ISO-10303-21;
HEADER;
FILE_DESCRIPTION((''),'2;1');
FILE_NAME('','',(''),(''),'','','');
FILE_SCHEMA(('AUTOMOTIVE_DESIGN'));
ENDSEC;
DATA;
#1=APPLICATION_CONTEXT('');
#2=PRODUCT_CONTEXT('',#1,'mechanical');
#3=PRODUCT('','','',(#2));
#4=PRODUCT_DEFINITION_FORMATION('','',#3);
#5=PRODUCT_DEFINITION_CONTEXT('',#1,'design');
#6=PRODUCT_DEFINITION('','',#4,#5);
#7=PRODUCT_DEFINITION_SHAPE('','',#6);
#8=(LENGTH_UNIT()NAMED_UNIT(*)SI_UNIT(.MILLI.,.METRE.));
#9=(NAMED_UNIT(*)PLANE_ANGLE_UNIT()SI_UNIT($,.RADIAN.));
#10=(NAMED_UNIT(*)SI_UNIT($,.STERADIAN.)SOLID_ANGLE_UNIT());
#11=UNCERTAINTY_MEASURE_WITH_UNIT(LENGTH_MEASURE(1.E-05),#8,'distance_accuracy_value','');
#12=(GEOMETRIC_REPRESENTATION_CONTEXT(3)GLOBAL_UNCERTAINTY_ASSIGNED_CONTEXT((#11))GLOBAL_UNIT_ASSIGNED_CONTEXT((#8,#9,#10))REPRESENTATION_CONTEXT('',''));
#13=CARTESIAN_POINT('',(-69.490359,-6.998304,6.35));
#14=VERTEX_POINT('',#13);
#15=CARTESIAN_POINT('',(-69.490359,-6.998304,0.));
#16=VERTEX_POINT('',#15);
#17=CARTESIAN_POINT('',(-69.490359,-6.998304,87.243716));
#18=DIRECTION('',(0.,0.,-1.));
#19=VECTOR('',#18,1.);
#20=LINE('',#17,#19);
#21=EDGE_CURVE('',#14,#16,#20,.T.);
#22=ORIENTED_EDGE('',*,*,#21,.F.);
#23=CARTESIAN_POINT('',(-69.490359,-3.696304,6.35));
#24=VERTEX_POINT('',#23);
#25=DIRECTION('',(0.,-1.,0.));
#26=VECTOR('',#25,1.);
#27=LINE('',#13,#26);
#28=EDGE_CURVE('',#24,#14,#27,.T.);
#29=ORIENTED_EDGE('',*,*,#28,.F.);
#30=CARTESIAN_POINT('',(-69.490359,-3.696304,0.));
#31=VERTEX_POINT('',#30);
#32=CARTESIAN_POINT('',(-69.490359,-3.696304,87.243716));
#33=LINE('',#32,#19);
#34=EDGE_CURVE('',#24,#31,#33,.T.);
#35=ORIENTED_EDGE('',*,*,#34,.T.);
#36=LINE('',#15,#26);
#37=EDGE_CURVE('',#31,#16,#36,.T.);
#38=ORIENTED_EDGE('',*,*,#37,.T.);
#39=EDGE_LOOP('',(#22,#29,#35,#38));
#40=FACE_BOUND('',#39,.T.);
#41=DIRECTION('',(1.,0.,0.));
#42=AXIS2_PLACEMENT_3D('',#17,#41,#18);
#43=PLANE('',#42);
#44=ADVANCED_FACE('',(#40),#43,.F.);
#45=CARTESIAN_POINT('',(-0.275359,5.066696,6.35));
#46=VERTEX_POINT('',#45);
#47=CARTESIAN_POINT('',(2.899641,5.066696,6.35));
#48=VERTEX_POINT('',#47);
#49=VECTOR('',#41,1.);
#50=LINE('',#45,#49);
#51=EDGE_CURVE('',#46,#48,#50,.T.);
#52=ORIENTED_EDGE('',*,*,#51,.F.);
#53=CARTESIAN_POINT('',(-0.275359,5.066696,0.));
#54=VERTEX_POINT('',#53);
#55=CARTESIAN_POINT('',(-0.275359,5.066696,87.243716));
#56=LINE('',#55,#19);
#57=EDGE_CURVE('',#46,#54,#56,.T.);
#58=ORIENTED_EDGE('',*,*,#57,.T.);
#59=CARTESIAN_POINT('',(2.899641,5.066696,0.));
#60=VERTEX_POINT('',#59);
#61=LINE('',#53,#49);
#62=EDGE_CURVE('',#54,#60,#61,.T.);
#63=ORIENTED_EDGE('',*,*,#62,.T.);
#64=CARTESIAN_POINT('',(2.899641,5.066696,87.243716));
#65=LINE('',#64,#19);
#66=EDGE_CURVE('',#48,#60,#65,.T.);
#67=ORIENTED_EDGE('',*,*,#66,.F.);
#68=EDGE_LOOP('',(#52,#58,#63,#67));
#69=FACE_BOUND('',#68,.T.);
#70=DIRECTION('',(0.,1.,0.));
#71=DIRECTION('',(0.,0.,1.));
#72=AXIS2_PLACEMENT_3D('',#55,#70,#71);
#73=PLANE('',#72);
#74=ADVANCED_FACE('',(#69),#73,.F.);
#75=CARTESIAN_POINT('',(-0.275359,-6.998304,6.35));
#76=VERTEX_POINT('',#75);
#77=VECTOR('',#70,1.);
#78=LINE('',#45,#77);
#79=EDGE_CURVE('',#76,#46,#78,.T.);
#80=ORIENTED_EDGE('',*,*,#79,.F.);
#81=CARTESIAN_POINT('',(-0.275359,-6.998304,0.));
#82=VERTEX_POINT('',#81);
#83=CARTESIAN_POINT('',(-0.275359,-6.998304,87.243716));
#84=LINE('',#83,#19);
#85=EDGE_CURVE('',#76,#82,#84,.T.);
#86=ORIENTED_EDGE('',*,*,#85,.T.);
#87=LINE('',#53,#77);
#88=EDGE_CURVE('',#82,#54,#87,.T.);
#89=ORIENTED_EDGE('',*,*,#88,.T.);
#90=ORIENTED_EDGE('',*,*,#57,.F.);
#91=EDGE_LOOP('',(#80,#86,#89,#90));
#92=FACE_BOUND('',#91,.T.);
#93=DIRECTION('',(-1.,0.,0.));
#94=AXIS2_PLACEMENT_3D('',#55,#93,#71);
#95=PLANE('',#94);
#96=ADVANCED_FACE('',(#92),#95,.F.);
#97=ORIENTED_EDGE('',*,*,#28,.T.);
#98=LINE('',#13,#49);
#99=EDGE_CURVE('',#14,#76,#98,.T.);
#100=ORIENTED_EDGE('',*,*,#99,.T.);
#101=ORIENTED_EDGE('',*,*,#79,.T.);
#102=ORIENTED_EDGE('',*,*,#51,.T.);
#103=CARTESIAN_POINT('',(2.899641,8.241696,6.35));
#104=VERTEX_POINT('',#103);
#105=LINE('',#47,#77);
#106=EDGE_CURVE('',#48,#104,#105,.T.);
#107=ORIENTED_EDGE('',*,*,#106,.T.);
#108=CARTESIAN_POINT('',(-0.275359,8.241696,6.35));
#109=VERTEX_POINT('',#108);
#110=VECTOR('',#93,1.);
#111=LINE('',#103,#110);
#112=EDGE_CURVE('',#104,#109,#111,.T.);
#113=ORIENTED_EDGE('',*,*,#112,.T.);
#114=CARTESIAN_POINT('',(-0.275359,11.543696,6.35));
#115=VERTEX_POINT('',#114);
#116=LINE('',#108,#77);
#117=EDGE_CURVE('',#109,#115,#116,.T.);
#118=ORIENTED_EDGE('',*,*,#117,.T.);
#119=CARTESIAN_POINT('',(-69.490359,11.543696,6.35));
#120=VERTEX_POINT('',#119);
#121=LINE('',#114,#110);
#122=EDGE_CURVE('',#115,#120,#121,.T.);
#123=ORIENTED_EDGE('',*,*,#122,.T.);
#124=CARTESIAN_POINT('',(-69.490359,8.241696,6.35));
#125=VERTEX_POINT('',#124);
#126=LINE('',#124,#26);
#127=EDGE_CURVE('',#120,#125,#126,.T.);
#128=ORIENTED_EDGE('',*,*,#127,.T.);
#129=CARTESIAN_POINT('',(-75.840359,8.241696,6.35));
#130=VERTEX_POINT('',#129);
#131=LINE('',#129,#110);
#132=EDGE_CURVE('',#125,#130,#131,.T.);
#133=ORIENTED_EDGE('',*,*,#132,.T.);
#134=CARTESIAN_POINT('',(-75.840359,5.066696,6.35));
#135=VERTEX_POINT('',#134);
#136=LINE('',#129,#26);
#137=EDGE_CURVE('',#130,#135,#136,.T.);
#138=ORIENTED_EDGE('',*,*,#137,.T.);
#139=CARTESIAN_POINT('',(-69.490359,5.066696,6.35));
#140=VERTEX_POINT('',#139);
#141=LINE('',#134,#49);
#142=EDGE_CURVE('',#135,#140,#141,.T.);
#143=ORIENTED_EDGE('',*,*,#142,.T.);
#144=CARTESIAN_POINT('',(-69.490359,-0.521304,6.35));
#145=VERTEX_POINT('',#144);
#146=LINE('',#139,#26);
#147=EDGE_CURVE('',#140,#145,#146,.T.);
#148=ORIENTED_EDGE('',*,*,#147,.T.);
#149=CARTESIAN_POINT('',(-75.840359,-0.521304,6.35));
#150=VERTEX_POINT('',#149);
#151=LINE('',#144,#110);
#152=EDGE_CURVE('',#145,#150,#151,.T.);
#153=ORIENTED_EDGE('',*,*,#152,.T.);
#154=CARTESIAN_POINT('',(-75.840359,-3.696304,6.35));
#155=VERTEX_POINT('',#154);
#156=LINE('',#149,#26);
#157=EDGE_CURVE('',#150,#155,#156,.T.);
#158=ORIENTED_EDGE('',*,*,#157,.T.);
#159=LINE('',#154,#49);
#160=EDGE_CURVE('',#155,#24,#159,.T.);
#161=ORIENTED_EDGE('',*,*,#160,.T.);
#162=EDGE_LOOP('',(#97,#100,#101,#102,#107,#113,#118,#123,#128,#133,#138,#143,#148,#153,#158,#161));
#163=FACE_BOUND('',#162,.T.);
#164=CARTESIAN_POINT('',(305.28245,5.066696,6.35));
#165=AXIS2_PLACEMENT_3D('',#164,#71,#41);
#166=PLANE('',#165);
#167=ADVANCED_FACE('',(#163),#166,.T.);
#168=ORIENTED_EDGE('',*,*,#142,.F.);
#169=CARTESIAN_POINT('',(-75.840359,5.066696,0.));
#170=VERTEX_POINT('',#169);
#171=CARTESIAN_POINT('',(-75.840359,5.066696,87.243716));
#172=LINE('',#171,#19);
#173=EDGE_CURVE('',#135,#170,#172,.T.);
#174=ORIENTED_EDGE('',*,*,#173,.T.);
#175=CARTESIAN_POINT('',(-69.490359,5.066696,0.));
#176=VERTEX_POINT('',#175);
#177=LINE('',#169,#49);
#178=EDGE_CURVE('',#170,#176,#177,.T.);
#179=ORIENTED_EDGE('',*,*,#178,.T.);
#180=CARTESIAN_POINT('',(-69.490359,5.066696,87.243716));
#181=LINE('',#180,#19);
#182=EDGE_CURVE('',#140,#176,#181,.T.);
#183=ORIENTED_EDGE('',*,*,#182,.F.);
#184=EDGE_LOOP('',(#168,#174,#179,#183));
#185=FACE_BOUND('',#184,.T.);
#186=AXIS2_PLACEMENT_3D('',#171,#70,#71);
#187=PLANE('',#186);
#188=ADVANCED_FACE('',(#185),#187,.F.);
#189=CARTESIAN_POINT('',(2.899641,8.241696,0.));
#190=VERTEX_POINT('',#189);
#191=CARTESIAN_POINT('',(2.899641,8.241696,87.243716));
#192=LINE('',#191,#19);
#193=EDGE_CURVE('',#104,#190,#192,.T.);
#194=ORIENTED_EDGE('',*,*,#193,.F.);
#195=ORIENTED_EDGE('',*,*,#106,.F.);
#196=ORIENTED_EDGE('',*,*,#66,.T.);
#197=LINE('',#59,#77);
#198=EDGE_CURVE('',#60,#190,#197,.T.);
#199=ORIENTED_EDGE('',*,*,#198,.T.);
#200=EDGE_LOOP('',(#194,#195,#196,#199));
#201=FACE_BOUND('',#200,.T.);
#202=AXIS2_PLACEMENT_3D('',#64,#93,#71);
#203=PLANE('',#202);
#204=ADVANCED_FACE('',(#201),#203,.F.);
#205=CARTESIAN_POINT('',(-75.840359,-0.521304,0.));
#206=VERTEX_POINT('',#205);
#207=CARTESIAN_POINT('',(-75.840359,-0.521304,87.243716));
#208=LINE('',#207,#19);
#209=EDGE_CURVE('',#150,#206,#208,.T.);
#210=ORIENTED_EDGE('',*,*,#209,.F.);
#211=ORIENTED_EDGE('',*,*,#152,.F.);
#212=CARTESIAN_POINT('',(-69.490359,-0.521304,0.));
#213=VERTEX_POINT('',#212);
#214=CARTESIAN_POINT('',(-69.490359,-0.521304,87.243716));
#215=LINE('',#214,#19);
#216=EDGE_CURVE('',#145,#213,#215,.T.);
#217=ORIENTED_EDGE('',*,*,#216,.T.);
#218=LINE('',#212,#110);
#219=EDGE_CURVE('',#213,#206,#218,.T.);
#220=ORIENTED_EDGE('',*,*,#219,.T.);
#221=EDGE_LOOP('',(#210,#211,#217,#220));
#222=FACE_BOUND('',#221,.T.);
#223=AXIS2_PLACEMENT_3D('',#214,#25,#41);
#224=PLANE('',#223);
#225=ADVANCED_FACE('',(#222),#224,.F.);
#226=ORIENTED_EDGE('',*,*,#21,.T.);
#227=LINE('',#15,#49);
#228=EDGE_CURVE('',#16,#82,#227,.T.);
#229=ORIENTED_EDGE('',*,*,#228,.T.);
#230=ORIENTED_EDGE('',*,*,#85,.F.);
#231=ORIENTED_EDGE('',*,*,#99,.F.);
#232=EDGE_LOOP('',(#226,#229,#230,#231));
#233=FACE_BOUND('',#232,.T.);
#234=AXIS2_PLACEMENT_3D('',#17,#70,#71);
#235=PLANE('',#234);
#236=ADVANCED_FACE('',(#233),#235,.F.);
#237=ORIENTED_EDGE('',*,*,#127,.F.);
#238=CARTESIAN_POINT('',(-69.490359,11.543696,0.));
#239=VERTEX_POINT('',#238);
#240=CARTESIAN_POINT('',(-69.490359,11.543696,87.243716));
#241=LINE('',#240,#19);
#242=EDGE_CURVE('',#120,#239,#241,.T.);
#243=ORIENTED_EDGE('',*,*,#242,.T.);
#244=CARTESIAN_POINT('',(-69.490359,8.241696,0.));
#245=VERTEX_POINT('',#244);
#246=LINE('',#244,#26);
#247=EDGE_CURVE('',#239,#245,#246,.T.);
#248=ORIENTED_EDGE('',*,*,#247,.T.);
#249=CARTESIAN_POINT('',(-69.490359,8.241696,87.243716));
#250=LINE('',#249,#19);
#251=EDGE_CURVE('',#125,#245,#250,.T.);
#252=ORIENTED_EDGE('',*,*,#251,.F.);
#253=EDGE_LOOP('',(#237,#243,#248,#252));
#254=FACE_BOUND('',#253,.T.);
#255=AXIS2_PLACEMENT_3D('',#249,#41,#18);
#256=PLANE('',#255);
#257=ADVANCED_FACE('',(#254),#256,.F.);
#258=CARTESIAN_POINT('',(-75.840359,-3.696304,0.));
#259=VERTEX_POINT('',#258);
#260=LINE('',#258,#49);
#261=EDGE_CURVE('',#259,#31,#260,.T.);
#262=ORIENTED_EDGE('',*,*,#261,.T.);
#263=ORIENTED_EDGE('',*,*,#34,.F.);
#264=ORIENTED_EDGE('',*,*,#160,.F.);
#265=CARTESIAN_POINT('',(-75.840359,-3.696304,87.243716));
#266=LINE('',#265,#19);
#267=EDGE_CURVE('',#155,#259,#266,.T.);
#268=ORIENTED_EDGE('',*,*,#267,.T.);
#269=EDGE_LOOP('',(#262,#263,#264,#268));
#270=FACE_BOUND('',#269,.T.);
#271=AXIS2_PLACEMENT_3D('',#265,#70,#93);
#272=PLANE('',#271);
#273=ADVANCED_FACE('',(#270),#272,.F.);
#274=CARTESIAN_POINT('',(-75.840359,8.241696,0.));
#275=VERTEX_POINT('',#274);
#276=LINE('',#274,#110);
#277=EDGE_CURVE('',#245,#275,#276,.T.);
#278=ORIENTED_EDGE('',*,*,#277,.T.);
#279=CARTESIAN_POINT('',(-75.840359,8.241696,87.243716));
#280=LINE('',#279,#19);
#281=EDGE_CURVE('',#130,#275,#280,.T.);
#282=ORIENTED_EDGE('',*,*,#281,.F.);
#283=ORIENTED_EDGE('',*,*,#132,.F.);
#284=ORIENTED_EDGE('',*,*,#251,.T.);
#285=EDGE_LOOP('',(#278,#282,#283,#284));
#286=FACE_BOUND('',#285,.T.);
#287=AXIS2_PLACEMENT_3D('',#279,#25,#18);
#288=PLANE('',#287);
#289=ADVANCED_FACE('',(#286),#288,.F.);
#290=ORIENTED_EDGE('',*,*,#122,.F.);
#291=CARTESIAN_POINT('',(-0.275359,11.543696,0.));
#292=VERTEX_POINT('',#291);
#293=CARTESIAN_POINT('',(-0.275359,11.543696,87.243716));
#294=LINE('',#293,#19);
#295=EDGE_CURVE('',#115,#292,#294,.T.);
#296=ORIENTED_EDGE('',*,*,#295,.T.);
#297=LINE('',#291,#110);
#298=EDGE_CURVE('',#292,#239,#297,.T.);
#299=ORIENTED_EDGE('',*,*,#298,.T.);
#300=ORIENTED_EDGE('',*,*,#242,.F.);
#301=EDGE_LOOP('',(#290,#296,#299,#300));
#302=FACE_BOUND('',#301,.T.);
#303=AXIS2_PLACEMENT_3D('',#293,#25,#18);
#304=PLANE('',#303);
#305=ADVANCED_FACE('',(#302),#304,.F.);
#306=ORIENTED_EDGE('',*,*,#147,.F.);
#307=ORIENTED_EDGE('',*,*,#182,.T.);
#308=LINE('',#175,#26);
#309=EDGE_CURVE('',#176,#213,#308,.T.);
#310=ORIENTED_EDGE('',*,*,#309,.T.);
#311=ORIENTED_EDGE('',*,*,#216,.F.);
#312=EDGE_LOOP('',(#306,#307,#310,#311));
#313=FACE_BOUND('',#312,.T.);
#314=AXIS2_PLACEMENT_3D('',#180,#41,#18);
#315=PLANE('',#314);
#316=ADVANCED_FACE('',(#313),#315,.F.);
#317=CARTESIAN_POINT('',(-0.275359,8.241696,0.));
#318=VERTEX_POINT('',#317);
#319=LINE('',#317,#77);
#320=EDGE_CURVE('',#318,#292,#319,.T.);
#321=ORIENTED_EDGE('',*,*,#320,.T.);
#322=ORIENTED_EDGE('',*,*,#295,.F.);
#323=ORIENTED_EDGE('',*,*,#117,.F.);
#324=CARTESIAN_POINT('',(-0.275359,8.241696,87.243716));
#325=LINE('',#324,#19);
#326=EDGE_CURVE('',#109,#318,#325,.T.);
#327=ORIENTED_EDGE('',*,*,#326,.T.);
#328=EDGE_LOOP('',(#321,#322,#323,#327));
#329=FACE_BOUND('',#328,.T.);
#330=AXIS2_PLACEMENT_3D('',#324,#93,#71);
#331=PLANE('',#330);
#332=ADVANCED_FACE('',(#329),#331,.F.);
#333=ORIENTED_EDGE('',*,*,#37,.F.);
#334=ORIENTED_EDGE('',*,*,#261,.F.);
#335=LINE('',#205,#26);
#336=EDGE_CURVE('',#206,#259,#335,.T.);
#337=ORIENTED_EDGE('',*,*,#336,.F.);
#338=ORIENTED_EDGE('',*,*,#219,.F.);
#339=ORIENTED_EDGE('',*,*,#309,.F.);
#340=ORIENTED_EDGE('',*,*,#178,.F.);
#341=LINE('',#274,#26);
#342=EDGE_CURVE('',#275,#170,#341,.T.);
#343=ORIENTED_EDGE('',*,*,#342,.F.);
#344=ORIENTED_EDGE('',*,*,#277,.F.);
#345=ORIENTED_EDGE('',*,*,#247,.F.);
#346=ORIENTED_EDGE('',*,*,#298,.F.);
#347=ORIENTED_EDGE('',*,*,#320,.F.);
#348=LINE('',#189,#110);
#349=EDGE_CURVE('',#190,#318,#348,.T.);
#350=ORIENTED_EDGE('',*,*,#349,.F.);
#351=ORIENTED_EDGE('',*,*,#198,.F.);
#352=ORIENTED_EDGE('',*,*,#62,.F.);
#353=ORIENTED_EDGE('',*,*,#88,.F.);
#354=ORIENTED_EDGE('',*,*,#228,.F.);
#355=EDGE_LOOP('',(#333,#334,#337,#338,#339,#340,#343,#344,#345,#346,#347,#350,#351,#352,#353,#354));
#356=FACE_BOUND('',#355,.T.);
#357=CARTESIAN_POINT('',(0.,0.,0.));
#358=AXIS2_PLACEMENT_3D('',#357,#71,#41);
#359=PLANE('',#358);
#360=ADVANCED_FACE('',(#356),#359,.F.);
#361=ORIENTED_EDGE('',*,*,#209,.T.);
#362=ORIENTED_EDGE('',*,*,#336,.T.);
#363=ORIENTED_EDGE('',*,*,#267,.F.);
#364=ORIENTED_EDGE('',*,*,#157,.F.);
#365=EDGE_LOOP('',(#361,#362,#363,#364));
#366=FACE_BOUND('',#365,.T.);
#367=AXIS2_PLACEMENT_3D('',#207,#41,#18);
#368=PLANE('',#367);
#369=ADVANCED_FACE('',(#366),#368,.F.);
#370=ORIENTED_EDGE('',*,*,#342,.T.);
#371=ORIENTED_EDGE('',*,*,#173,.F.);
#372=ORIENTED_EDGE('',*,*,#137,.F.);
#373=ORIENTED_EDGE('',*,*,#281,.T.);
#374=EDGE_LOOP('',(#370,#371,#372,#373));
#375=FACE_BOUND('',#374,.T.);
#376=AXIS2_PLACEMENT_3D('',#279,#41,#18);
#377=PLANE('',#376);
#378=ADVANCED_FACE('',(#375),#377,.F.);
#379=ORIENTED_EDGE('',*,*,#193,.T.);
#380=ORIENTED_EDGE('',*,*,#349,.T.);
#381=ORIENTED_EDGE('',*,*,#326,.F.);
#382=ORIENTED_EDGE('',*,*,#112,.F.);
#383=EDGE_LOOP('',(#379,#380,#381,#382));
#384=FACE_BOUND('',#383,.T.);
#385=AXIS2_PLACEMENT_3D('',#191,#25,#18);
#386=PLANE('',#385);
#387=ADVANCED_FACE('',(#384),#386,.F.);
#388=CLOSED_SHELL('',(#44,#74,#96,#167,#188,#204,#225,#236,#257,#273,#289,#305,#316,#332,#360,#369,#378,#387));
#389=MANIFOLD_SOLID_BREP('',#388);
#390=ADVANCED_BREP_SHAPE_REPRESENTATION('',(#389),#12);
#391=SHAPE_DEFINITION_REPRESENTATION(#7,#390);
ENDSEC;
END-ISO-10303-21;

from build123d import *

# Parameters (mm, degrees)
BOSS_EXTRUDE1_DEPTH = 6.35


with BuildPart() as part:
    # Sketch1 → Boss-Extrude1 (new body)
    with BuildSketch(Plane.XY):
        Polygon((-75.840358597, 8.241696389), (-69.490358597, 8.241696389), (-69.490358597, 11.543696389), (-0.275358597, 11.543696389), (-0.275358597, 8.241696389), (2.899641403, 8.241696389), (2.899641403, 5.066696389), (-0.275358597, 5.066696389), (-0.275358597, -6.998303611), (-69.490358597, -6.998303611), (-69.490358597, -3.696303611), (-75.840358597, -3.696303611), (-75.840358597, -0.521303611), (-69.490358597, -0.521303611), (-69.490358597, 5.066696389), (-75.840358597, 5.066696389), align=None)
    extrude(amount=BOSS_EXTRUDE1_DEPTH)


solid = part.part
